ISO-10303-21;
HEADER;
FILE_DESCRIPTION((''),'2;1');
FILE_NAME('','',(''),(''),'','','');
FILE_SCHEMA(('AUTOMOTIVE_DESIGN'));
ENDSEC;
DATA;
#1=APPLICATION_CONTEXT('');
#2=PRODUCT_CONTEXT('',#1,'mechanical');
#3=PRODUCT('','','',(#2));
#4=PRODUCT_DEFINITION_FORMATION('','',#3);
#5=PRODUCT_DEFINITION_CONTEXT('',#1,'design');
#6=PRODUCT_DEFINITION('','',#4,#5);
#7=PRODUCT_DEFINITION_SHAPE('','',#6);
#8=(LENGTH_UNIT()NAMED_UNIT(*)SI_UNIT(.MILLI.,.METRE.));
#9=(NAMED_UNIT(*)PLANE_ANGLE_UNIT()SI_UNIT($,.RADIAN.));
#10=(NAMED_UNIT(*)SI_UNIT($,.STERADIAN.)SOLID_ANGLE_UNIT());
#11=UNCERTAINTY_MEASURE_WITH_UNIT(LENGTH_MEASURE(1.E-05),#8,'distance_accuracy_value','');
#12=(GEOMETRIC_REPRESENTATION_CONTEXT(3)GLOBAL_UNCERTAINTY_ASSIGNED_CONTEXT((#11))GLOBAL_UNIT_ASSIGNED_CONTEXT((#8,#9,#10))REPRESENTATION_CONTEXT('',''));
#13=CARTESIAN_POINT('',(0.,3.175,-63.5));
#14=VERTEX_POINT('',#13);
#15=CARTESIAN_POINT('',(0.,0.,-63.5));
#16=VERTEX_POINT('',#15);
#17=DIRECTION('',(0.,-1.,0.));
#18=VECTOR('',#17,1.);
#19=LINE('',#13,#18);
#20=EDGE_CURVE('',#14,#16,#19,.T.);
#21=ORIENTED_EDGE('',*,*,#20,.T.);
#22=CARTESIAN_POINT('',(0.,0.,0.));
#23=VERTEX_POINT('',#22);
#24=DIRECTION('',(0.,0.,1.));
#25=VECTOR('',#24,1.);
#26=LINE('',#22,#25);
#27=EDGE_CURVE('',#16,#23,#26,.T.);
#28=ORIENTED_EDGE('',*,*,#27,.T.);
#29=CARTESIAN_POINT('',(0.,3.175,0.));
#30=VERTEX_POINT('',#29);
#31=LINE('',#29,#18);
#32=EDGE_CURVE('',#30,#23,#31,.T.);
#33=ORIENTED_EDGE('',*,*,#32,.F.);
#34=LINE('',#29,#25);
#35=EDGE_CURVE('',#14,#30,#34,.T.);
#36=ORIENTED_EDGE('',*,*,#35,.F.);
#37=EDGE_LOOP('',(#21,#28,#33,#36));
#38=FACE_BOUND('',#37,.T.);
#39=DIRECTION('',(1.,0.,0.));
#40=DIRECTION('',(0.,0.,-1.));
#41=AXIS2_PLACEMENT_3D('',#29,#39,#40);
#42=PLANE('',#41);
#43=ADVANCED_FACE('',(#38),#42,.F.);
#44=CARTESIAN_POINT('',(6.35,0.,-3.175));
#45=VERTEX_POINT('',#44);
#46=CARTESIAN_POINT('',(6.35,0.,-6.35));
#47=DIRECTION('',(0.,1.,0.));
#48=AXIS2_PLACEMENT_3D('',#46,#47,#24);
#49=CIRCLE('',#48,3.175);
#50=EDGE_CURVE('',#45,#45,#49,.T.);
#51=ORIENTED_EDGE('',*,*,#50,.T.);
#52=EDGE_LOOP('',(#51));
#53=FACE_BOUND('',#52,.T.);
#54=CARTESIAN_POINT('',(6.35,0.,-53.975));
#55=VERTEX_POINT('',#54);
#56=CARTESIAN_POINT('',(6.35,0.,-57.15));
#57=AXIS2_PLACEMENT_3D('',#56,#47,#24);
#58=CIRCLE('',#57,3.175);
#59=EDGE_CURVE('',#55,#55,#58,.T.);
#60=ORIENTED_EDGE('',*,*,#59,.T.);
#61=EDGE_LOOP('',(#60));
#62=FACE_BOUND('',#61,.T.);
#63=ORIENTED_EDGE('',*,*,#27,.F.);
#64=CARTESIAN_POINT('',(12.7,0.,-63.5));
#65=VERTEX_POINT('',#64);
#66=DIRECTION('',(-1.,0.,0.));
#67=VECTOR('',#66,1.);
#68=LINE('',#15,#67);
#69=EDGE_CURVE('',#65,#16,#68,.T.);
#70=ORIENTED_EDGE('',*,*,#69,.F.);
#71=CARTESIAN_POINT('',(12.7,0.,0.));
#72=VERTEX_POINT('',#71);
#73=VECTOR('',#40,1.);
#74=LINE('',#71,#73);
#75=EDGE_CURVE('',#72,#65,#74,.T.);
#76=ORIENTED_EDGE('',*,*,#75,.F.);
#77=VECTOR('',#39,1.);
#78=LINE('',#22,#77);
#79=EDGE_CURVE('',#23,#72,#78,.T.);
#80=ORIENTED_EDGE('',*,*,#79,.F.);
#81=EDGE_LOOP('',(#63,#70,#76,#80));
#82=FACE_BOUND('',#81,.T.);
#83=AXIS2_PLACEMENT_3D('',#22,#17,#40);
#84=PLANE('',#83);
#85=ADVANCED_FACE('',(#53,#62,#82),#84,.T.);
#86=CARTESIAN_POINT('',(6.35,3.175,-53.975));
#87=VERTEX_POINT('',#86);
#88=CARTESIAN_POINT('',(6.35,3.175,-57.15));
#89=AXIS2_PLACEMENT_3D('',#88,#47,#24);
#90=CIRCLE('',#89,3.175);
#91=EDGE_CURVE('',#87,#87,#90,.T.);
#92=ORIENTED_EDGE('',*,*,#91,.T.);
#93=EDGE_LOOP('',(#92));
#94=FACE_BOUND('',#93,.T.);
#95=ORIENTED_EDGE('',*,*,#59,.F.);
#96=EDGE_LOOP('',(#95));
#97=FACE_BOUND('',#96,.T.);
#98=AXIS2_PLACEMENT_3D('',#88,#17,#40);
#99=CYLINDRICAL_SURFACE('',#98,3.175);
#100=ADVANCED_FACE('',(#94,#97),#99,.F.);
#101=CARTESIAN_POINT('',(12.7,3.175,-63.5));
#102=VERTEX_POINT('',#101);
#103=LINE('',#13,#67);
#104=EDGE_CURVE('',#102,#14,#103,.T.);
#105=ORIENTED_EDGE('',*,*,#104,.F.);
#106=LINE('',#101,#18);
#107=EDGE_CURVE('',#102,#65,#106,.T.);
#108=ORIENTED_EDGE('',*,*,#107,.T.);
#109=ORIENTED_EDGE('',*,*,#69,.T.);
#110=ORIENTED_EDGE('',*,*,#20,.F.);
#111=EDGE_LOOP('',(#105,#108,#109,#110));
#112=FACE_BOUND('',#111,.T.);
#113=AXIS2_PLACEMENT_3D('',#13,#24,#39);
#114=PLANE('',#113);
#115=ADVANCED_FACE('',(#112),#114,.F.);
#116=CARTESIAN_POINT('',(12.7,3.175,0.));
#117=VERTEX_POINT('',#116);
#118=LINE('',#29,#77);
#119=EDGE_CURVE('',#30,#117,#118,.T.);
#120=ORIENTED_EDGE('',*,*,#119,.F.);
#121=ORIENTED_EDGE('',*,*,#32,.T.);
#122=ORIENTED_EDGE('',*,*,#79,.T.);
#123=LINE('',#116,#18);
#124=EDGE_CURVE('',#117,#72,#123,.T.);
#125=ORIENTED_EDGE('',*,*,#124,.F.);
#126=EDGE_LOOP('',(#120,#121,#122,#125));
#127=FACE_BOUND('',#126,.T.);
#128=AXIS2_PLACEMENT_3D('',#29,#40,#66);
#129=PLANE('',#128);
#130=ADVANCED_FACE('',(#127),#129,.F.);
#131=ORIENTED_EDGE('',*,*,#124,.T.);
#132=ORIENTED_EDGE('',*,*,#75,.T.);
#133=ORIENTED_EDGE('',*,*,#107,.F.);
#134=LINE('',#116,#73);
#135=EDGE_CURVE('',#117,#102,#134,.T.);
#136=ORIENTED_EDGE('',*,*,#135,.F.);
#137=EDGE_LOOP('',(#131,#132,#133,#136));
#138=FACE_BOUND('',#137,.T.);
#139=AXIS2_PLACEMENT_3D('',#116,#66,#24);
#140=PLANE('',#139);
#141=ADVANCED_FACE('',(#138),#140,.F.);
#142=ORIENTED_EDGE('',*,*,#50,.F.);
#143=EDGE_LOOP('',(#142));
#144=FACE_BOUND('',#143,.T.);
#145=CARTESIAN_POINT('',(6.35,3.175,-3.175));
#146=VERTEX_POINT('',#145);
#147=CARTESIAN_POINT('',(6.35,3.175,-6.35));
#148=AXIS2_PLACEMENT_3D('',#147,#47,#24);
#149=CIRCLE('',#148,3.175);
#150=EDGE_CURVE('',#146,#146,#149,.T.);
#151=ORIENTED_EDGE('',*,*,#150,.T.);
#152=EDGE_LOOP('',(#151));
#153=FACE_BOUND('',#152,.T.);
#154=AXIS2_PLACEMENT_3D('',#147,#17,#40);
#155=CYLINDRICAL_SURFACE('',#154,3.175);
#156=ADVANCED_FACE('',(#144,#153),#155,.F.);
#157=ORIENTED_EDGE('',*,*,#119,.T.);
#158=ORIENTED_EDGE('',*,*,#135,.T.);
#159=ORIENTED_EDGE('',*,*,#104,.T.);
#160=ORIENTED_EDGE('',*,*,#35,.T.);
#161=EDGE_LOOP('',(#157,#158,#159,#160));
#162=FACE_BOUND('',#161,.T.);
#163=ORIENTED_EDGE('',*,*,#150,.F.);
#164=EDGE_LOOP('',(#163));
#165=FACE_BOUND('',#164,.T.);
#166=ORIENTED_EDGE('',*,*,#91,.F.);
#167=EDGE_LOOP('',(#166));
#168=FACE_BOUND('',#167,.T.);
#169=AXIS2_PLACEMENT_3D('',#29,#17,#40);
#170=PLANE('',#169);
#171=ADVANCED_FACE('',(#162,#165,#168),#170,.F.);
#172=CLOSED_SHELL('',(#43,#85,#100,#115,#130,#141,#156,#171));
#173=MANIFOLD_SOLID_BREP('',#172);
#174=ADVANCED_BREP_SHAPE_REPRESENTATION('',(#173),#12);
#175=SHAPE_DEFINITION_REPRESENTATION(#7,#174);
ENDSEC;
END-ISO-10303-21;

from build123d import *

# Parameters (mm, degrees)
SKETCH1_W           = 12.7
SKETCH1_H           = 63.5
SKETCH1_R           = 3.175
BOSS_EXTRUDE1_DEPTH = 3.175


with BuildPart() as part:
    # Sketch1 → Boss-Extrude1 (new body)
    with BuildSketch(Plane(origin=(0, 0, 0), x_dir=(1, 0, 0), z_dir=(0, 1, 0))):
        with Locations((6.35, 31.75)):
            Rectangle(SKETCH1_W, SKETCH1_H)
        with Locations(Location((6.35, 57.15, 0), (0, 0, 270))):
            Circle(SKETCH1_R, mode=Mode.SUBTRACT)
        with Locations(Location((6.35, 6.35, 0), (0, 0, 270))):
            Circle(SKETCH1_R, mode=Mode.SUBTRACT)
    extrude(amount=BOSS_EXTRUDE1_DEPTH)


solid = part.part
